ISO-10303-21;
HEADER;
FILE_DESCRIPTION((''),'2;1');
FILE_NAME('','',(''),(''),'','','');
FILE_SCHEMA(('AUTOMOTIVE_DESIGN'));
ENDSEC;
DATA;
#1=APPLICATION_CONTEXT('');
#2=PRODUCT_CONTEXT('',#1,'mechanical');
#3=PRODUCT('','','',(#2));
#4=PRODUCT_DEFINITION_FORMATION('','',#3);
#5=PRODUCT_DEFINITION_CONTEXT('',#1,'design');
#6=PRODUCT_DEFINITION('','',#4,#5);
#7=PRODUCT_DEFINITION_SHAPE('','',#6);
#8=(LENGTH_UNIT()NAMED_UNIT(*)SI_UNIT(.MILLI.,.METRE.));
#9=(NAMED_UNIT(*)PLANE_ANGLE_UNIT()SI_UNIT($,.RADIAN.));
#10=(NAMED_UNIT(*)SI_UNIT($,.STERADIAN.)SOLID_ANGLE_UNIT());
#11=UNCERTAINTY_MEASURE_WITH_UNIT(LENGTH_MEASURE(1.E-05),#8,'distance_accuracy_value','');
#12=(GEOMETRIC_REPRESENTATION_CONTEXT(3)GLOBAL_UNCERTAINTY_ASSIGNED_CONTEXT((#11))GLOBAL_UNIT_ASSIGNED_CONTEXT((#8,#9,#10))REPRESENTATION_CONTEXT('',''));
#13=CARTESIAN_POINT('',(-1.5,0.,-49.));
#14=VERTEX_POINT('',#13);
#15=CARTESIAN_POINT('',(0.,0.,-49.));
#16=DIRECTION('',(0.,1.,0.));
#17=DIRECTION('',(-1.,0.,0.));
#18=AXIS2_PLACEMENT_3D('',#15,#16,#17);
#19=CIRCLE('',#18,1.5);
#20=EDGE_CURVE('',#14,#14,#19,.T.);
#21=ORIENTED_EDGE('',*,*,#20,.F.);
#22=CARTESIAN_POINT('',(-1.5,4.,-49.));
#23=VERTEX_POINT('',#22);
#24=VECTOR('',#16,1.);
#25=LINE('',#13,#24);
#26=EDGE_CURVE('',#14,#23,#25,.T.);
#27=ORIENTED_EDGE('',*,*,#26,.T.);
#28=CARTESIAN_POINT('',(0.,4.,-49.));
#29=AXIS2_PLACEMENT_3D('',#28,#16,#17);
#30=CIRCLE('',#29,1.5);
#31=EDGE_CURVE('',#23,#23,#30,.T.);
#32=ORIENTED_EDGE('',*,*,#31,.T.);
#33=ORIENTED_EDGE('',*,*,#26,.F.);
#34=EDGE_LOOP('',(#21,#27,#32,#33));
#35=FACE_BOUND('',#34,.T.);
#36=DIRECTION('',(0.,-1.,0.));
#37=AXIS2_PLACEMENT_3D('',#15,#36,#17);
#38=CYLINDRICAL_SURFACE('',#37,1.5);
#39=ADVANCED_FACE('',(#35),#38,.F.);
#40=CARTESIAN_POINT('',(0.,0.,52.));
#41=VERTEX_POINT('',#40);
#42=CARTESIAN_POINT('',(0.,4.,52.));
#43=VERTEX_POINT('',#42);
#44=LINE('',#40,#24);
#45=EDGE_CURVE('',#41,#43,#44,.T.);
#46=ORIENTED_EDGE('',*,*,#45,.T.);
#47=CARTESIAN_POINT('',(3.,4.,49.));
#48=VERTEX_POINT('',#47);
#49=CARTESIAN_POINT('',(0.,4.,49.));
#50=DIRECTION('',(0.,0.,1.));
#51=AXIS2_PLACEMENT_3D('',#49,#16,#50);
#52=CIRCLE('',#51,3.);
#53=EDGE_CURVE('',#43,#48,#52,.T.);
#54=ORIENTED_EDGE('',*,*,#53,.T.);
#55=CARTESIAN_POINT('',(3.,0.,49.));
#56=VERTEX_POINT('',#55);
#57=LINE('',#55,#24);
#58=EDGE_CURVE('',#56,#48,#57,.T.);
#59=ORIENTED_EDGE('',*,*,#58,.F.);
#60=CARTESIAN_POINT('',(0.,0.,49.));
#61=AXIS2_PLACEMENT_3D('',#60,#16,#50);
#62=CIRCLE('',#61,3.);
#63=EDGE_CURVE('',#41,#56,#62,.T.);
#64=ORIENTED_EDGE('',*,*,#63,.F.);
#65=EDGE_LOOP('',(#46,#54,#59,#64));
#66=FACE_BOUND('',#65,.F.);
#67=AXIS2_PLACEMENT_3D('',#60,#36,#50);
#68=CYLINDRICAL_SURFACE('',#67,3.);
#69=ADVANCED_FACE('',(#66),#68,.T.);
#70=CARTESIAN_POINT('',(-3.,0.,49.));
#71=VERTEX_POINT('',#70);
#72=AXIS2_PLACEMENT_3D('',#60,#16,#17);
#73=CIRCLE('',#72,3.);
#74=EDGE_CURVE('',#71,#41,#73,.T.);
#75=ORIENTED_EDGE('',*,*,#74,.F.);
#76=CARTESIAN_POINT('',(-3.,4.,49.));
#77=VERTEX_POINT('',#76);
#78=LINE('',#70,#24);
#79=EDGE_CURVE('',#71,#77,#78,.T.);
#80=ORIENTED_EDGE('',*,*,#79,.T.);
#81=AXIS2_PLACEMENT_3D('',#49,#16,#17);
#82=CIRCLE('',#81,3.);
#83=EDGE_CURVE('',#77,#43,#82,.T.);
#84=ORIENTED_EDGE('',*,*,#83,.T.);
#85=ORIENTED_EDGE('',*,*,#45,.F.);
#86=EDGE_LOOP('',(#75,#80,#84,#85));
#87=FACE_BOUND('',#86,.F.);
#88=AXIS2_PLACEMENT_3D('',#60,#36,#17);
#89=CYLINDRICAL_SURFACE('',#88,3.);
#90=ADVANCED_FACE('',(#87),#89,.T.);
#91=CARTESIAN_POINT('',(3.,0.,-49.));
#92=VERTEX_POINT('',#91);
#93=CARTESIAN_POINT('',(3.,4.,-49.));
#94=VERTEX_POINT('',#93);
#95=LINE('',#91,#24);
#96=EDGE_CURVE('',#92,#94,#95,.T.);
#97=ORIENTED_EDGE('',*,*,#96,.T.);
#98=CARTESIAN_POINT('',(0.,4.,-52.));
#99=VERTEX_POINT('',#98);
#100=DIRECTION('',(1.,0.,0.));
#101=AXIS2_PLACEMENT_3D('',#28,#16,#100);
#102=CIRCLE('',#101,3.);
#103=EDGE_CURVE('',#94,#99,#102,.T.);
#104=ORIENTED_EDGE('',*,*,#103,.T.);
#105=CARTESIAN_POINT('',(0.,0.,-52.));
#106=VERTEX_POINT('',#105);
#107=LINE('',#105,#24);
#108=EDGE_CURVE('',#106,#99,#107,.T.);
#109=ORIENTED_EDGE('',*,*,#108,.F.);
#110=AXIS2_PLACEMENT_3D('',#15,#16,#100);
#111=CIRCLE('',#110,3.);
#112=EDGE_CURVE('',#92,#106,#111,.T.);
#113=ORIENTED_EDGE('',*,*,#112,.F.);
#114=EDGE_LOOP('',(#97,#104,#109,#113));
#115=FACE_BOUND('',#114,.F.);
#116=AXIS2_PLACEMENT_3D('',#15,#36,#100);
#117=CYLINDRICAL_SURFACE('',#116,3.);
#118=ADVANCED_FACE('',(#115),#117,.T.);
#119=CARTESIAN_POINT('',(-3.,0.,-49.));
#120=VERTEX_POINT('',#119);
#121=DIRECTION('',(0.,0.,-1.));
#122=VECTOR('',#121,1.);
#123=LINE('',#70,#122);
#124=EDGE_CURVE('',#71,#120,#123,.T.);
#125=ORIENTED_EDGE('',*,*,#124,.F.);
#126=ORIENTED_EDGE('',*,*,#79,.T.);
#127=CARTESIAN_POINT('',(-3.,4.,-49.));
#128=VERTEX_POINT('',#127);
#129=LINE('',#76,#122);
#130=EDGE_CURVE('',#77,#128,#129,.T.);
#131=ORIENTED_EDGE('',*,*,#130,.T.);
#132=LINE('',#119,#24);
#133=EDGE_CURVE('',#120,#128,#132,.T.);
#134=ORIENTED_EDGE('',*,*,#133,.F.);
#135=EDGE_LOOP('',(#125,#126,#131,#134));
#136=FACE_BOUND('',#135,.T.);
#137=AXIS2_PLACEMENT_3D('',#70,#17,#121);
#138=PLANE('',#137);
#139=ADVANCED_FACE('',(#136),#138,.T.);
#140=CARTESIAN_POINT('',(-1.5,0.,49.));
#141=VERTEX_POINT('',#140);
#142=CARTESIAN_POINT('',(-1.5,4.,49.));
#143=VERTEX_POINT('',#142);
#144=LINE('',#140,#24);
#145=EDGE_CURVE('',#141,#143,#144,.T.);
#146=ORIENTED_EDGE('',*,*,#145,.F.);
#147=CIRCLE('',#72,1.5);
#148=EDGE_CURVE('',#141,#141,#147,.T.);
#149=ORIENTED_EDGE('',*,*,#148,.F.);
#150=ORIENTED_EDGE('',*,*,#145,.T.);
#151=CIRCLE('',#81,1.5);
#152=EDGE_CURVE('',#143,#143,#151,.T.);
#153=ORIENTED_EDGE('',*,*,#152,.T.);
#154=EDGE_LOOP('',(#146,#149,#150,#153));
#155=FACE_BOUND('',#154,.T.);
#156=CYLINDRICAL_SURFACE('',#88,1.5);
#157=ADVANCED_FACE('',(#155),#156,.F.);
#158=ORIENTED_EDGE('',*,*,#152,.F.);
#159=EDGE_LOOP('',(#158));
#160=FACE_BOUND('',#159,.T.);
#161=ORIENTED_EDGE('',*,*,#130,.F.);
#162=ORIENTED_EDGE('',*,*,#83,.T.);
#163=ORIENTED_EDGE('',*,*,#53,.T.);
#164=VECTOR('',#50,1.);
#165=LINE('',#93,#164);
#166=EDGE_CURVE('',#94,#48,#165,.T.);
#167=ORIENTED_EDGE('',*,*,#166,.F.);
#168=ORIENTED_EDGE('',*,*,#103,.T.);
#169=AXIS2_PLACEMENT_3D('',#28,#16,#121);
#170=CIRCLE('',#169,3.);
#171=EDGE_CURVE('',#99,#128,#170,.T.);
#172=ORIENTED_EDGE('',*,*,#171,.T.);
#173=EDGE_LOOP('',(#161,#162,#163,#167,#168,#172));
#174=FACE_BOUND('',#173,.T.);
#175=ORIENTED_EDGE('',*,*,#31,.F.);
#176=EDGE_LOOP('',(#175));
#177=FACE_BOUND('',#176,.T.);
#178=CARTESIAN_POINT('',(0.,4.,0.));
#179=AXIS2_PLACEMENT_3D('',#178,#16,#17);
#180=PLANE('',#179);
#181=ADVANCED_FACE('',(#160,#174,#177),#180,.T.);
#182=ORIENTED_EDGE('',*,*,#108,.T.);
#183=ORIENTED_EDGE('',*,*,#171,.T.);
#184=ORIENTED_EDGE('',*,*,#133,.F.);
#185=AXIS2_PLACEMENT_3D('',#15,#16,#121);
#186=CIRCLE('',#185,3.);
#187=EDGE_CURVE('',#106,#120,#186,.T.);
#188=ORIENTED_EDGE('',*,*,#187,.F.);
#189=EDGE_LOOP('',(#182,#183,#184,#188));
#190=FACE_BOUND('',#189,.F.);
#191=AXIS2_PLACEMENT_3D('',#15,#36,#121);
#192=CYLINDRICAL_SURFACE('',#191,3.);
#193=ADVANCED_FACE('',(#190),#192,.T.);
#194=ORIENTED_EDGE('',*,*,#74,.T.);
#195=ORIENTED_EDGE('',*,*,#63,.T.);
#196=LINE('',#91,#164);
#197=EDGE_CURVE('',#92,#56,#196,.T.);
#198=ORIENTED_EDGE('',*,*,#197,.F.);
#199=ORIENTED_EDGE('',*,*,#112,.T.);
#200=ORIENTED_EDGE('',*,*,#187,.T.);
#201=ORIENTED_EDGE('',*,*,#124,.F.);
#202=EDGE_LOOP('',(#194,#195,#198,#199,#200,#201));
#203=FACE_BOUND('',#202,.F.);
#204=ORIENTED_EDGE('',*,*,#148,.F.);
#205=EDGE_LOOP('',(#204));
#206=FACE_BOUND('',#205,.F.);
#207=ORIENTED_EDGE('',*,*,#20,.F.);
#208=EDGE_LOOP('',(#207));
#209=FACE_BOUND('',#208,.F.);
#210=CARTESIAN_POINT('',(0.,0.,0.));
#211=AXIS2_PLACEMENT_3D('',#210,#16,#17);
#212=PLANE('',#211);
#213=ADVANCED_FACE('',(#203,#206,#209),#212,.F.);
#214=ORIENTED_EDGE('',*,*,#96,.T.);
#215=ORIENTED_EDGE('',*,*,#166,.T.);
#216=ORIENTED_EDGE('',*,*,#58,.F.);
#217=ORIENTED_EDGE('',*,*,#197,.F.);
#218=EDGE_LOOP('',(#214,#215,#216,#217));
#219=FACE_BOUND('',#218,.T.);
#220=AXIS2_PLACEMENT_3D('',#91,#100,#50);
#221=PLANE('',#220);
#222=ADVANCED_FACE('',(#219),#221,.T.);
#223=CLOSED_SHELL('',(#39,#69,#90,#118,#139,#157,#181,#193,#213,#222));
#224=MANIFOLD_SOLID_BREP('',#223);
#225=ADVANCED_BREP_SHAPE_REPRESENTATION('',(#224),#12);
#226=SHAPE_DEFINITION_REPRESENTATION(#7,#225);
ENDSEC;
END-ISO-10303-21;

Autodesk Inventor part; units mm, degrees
ref_plane "YZ Plane" through (0, 0, 0) normal (1, 0, 0) x (0, 1, 0)
ref_plane "XZ Plane" through (0, 0, 0) normal (0, 1, 0) x (-1, 0, 0)
ref_plane "XY Plane" through (0, 0, 0) normal (0, 0, 1) x (1, 0, 0)
sketch "スケッチ1" plane through (0, 0, 0) normal (0, 1, 0) x (-1, 0, 0)
  line L0 (0, 52) -> (0, 52)
  line L1 (3, 49) -> (3, -49)
  line L2 (0, -52) -> (0, -52)
  line L3 (-3, -49) -> (-3, 49)
  line L4 (-3, 52) -> (3, -52) construction
  line L5 (3, 52) -> (-3, -52) construction
  arc A0 (0, -52) -> (3, -49) centre (0, -49) ccw
  arc A1 (-3, -49) -> (0, -52) centre (0, -49) ccw
  arc A2 (0, 52) -> (-3, 49) centre (0, 49) ccw
  arc A3 (3, 49) -> (0, 52) centre (0, 49) ccw
  circle A4 centre (0, 49) radius 1.5
  circle A5 centre (0, 49) radius 3 construction
  line L6 (3, 0) -> (-3, 0) construction
  circle A6 centre (0, -49) radius 1.5
  circle A7 centre (0, -49) radius 3 construction
  point P0 (0, 0)
  dimension "d0" = 3
  dimension "d2" = 6
  dimension "d3" = 3
  dimension "d4" = 6
  dimension "d10" = 98
extrude "押し出し1" add sketch "スケッチ1" along normal blind 4
properties part number "MainBar"
